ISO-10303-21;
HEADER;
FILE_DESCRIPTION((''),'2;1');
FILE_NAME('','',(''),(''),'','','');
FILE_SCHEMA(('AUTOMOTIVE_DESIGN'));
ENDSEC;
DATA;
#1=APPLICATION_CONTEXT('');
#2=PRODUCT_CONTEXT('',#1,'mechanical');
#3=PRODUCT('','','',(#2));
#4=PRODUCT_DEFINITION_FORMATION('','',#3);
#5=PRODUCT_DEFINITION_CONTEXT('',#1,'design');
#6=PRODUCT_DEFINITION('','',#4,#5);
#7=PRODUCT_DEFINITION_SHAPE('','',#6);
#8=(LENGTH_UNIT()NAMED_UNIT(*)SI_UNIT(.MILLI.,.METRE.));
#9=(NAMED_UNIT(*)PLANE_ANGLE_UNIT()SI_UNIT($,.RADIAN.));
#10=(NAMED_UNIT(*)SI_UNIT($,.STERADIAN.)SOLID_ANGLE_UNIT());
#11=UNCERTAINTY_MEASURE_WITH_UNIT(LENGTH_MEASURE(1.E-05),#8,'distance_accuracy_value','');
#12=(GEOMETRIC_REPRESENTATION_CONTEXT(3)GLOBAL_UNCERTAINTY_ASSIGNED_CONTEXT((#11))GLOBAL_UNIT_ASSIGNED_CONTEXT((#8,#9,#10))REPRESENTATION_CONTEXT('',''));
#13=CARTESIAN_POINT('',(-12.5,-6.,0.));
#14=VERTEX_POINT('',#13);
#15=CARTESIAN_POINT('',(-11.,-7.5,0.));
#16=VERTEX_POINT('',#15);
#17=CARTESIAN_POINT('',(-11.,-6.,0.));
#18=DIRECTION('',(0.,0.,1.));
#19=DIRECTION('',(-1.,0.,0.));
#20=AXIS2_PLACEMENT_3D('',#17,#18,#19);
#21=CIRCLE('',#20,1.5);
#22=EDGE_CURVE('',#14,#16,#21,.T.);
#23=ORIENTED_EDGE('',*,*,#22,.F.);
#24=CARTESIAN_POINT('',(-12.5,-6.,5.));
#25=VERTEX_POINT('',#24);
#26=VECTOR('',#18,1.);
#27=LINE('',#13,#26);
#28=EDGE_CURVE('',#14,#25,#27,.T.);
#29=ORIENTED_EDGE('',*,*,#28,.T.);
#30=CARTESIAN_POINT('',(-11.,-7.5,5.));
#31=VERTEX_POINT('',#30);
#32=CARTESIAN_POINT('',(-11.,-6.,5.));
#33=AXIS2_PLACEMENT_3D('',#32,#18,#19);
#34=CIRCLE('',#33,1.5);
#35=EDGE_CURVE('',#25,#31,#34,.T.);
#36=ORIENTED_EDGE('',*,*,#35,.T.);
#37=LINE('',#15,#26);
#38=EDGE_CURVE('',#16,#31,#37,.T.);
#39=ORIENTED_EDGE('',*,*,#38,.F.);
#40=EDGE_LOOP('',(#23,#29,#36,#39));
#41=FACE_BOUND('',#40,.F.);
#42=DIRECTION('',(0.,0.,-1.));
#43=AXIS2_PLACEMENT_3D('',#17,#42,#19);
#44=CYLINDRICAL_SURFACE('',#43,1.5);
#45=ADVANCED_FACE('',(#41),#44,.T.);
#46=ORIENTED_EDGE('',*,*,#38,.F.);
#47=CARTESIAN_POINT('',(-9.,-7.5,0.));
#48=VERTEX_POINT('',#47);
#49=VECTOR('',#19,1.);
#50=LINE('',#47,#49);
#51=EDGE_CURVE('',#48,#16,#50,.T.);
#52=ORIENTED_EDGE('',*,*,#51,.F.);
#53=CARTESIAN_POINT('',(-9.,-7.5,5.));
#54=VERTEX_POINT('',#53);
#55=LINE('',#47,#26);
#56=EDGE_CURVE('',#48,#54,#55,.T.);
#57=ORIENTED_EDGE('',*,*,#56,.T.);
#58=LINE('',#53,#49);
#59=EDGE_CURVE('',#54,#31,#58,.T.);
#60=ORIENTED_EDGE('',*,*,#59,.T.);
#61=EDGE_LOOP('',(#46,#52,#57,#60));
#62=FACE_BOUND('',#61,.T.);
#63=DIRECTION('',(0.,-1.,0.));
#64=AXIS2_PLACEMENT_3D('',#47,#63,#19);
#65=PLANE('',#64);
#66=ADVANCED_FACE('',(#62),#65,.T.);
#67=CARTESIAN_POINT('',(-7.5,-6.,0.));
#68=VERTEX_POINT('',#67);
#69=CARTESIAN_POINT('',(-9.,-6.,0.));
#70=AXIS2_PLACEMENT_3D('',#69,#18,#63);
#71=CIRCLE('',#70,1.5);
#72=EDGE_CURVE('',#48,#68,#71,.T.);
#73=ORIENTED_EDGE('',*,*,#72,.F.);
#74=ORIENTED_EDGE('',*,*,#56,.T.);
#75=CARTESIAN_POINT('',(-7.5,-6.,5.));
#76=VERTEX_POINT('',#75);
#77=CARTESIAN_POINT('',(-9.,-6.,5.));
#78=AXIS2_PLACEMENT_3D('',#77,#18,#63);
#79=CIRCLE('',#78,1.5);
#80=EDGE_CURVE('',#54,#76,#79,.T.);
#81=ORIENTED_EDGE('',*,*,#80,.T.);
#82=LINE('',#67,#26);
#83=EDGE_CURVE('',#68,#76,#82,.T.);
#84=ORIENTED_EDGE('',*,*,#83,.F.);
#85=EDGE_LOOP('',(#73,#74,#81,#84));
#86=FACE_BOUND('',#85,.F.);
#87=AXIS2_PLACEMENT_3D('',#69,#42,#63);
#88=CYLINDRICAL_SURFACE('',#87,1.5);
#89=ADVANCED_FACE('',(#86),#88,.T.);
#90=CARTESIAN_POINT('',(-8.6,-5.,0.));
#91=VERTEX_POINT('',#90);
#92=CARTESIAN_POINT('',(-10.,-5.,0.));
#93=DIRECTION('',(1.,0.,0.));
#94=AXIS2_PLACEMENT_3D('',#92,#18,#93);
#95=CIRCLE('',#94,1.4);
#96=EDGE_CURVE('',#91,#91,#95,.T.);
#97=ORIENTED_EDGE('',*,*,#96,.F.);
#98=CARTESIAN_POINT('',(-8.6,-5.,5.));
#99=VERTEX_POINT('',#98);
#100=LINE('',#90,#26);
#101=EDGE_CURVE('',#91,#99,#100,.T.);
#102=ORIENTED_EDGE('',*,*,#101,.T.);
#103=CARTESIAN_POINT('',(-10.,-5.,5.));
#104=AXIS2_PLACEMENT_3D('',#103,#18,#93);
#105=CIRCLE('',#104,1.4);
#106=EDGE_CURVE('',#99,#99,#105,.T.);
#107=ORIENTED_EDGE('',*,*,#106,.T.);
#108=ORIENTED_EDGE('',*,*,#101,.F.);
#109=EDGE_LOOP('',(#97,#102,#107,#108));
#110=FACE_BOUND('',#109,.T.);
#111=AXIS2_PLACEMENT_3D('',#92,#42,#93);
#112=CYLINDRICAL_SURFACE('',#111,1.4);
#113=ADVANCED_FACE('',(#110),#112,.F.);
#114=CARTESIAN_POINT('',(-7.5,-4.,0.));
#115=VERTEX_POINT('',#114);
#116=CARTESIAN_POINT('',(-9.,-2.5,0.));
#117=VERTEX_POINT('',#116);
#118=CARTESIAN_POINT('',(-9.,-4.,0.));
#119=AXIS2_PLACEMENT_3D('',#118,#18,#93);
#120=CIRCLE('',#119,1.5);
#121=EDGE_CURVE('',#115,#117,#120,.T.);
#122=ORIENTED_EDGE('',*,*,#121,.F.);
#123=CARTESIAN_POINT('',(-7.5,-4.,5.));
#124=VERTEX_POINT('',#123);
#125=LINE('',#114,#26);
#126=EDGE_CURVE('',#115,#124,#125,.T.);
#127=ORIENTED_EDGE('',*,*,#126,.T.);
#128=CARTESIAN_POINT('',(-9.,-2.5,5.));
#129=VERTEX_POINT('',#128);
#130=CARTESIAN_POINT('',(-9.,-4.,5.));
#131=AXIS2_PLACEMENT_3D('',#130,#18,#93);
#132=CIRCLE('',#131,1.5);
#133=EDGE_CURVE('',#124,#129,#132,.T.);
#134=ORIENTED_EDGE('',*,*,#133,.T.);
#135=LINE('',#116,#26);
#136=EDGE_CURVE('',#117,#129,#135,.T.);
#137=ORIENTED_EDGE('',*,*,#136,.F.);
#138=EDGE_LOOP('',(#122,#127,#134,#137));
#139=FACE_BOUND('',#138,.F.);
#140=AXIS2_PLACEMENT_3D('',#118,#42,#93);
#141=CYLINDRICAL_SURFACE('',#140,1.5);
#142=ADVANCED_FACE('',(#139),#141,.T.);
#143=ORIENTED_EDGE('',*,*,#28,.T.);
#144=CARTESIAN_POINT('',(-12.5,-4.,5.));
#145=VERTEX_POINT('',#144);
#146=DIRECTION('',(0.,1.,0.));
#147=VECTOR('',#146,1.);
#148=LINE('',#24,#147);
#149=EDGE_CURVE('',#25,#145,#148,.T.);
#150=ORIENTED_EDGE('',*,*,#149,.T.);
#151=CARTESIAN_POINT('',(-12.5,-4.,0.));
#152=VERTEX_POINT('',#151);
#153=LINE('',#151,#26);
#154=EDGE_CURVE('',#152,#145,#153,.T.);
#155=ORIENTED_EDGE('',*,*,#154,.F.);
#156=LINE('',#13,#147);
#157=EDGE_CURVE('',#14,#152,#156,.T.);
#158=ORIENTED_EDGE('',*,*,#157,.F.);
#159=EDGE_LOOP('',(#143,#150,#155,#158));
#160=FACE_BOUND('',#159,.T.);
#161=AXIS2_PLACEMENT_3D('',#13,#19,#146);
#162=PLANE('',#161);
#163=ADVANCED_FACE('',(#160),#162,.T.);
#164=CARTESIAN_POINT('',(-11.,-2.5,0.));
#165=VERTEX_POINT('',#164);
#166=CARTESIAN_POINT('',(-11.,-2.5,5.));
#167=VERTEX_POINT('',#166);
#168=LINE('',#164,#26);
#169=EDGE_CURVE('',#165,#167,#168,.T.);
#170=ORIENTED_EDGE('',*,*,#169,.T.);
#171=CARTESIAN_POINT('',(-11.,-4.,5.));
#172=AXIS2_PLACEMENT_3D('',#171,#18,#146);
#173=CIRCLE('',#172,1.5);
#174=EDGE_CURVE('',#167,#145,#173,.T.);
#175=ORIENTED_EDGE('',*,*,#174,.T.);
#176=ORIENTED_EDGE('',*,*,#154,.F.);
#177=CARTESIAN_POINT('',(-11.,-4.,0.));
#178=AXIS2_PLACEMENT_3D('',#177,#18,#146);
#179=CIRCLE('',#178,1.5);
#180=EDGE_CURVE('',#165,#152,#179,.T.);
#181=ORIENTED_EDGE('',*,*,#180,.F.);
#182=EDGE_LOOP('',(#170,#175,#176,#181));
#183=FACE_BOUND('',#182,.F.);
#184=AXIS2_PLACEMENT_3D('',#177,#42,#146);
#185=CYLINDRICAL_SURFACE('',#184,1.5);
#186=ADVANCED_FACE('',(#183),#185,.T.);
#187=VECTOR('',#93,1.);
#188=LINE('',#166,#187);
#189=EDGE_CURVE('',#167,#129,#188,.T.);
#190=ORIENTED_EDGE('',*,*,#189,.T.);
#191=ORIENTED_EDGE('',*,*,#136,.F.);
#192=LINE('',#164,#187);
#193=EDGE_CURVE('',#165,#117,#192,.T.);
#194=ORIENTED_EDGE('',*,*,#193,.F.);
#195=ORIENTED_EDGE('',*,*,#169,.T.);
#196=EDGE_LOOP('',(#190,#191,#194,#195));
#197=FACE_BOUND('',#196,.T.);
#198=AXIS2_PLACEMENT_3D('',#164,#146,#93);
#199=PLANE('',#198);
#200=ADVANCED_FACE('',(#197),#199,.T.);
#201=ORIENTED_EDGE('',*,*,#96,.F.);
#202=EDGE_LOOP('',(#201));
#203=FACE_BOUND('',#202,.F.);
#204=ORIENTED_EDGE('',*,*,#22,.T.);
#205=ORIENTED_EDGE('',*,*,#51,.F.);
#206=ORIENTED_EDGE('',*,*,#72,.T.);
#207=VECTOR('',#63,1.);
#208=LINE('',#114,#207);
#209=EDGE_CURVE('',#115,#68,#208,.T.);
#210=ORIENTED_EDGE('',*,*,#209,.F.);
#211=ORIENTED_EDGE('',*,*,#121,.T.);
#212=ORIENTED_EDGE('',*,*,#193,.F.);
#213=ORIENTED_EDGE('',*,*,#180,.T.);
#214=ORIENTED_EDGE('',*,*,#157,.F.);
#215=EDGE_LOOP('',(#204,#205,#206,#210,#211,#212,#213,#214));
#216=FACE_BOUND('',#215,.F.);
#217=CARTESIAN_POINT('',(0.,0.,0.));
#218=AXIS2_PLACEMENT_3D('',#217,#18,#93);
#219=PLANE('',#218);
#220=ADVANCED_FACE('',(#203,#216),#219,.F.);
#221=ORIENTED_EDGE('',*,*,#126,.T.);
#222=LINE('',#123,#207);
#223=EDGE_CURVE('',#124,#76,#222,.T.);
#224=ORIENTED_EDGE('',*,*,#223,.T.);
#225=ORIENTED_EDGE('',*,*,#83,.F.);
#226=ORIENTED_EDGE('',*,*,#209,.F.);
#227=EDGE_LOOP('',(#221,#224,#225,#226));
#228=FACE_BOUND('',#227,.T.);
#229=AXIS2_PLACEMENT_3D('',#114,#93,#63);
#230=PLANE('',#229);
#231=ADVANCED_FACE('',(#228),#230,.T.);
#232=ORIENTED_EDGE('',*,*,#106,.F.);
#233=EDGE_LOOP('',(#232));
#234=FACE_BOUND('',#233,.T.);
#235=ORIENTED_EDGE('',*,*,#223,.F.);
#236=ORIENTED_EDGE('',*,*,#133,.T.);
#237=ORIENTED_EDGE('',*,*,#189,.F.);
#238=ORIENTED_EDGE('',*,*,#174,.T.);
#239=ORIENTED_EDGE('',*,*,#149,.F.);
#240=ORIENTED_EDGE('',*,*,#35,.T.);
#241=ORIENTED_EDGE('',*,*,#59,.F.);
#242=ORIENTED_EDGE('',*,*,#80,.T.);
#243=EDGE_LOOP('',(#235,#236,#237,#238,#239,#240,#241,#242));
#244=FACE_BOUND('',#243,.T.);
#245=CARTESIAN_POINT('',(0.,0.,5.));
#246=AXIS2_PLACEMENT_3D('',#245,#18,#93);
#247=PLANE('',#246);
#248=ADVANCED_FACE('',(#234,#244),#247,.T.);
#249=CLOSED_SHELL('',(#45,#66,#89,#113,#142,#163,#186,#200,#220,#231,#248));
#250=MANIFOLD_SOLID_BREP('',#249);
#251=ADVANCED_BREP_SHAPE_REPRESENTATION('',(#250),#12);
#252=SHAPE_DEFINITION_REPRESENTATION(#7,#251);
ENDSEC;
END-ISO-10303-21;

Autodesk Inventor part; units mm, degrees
ref_plane "YZ Plane" through (0, 0, 0) normal (1, 0, 0) x (0, 1, 0)
ref_plane "XZ Plane" through (0, 0, 0) normal (0, 1, 0) x (-1, 0, 0)
ref_plane "Plano de trabajo1" through (0, 0, 0) normal (0, 0, 1) x (1, 0, 0)
sketch "Boceto1" plane through (0, 0, 0) normal (0, 0, 1) x (1, 0, 0)
  circle A0 centre (-10, -5) radius 1.5 construction
  line L0 (-11, -2.5) -> (-9, -2.5)
  line L1 (-7.5, -4) -> (-7.5, -6)
  line L2 (-9, -7.5) -> (-11, -7.5)
  line L3 (-12.5, -6) -> (-12.5, -4)
  line L4 (-12.5, -2.5) -> (-7.5, -7.5) construction
  line L5 (-7.5, -2.5) -> (-12.5, -7.5) construction
  arc A1 (-9, -7.5) -> (-7.5, -6) centre (-9, -6) ccw
  arc A2 (-12.5, -6) -> (-11, -7.5) centre (-11, -6) ccw
  arc A3 (-7.5, -4) -> (-9, -2.5) centre (-9, -4) ccw
  arc A4 (-11, -2.5) -> (-12.5, -4) centre (-11, -4) ccw
  circle A5 centre (-10, -5) radius 1.4
  point P0 (0, 0)
  dimension "d0" = 5
  dimension "d1" = 5
  dimension "d2" = 1.5
  dimension "d5" = 0.1
extrude "Extrusión1" add sketch "Boceto1" along normal blind 5
properties part number "ReyenedorTornillo3M"
